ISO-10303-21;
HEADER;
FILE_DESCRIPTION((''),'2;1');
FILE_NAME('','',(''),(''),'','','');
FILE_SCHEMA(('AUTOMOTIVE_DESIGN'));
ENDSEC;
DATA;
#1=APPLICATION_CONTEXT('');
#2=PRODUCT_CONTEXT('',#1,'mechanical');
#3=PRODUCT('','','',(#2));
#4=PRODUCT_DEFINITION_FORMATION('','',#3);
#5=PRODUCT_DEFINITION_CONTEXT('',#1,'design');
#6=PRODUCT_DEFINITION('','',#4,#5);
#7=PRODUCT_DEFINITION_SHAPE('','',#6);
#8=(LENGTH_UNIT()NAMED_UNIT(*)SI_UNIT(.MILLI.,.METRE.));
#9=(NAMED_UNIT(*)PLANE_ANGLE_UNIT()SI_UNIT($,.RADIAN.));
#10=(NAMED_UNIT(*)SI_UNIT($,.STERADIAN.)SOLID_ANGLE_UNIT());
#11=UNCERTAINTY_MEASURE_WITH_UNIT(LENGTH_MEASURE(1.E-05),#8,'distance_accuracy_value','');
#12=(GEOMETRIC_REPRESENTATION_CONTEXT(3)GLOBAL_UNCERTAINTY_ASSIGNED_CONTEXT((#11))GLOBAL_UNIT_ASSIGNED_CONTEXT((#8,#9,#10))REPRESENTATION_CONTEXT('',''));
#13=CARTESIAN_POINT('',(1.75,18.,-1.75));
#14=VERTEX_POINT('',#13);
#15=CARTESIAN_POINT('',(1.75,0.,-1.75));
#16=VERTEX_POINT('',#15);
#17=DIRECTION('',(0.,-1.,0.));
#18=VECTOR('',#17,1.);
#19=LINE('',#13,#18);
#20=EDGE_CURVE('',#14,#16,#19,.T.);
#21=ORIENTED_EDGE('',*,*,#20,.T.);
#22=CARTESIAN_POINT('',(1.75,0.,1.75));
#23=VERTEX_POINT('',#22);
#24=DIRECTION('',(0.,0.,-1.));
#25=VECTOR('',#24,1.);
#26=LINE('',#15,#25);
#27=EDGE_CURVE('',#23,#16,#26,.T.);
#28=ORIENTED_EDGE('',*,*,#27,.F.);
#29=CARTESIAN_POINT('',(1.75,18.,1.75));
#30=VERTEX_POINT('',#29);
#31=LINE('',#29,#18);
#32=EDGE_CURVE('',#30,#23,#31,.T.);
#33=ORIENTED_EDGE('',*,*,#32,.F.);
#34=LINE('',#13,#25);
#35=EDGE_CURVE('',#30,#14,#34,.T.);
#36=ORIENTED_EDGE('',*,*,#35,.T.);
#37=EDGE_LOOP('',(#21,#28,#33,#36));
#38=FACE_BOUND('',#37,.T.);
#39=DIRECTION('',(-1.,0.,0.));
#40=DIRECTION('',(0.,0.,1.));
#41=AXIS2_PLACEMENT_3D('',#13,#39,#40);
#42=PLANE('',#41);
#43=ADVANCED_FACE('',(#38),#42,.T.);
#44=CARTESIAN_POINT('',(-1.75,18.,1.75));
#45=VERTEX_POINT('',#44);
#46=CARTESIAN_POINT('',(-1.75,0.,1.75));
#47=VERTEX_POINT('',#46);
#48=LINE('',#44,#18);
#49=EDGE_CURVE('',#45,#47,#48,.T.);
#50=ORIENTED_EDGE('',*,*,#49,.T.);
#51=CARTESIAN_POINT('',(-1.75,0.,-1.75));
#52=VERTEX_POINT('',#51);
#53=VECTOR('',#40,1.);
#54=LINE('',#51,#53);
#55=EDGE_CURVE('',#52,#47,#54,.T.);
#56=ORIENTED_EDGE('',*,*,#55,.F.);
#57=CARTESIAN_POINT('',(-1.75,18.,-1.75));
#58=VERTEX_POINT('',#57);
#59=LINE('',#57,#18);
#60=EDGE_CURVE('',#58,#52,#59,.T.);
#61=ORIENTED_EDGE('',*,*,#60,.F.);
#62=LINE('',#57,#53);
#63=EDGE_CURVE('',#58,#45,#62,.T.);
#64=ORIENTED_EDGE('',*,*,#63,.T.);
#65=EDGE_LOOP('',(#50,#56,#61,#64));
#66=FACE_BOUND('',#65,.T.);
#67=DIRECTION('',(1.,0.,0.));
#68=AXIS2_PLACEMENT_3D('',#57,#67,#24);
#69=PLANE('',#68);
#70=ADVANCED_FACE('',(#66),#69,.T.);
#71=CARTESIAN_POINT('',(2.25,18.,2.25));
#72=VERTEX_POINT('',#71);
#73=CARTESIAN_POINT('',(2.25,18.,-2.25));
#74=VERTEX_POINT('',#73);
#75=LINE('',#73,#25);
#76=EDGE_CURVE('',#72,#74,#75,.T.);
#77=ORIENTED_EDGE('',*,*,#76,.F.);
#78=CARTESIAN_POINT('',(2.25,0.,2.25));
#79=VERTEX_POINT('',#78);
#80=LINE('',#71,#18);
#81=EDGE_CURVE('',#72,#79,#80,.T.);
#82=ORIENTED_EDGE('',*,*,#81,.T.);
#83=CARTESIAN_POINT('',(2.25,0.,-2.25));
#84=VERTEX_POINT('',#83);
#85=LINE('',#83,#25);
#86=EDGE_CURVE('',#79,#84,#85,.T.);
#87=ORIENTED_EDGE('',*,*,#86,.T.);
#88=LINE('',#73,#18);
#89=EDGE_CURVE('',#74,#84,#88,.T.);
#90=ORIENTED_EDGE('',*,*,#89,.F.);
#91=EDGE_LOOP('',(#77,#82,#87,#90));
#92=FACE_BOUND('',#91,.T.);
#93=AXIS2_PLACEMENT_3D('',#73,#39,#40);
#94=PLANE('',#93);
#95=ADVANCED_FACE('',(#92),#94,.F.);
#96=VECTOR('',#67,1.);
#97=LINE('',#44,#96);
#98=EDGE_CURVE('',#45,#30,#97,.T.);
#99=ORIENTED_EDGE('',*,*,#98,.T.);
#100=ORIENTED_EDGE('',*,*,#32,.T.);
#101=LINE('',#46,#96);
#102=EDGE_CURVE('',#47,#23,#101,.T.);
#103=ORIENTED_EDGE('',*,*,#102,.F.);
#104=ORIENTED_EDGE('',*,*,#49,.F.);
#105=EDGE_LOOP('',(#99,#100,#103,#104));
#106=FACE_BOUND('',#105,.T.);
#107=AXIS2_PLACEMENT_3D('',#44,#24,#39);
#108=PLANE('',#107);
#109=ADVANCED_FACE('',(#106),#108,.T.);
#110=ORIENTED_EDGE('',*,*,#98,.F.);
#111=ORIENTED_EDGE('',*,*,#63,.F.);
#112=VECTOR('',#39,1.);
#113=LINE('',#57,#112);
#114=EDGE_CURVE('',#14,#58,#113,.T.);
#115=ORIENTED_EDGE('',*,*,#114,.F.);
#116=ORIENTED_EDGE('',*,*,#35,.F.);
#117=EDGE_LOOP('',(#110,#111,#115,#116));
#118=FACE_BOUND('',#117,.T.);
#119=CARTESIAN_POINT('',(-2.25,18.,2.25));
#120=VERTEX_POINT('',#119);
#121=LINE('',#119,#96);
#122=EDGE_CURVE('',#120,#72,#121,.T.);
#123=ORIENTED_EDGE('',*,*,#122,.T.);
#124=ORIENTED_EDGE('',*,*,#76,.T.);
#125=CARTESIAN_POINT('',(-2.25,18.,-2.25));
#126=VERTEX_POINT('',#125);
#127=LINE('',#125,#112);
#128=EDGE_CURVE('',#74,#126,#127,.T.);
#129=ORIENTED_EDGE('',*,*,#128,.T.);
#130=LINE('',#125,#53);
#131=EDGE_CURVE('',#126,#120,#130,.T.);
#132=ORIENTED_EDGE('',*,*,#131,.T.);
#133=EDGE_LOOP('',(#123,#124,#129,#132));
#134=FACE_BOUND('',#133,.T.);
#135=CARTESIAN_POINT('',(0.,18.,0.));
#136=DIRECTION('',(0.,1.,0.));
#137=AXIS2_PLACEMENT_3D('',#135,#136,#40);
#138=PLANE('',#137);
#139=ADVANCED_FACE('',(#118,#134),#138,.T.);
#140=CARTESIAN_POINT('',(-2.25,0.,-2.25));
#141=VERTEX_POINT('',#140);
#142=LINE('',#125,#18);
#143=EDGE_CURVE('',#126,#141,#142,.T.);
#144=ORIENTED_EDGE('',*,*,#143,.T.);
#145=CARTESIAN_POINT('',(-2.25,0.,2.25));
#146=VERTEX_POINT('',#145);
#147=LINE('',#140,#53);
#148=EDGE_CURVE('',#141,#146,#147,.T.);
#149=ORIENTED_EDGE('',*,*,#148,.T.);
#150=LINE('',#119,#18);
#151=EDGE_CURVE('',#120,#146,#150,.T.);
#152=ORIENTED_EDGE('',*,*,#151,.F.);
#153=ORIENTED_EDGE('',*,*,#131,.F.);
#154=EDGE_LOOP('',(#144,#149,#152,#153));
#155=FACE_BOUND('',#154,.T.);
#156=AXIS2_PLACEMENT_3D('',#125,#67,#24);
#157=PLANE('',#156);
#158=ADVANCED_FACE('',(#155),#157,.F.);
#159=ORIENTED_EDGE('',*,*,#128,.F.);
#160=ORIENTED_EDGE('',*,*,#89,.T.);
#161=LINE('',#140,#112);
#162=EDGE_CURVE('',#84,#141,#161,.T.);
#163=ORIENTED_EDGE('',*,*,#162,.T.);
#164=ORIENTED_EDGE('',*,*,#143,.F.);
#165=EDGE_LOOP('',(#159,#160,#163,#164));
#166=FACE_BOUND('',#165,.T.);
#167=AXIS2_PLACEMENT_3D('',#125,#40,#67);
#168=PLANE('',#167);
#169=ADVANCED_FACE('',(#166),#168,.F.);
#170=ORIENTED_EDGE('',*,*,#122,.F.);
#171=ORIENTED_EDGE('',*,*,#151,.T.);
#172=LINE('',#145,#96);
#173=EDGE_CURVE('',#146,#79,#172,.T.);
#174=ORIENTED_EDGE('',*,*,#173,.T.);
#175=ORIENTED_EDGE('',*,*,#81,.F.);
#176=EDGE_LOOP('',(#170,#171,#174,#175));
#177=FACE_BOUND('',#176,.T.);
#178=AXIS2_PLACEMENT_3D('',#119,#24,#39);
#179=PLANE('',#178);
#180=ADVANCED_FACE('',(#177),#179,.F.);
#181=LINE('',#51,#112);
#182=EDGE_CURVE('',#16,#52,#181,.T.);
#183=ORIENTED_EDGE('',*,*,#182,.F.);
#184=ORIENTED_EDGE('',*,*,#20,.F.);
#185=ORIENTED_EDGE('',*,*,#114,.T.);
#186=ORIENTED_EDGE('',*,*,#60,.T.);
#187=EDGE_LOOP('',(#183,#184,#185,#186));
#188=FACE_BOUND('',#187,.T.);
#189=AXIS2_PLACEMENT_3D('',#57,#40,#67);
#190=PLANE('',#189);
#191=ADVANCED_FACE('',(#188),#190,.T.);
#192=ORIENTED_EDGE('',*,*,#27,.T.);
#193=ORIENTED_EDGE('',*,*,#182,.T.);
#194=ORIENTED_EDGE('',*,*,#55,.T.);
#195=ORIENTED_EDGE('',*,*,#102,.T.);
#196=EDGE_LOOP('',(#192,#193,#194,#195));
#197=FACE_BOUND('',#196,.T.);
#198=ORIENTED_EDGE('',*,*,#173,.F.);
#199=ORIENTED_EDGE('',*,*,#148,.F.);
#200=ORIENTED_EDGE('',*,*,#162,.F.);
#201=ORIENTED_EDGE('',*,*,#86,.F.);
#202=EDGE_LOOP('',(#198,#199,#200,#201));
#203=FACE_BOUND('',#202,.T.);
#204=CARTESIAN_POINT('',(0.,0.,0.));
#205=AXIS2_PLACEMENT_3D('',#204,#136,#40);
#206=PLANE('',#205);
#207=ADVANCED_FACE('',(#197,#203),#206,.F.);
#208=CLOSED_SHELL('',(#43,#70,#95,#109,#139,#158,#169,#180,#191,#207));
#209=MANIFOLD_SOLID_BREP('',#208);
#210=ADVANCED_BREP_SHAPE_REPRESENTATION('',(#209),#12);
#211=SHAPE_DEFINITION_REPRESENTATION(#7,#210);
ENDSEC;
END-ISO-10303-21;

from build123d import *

# Parameters (mm, degrees)
SKETCH_1_W      = 4.5
SKETCH_1_H      = 4.5
SKETCH_1_W_2    = 3.5
SKETCH_1_H_2    = 3.5
EXTRUDE_1_DEPTH = 18


with BuildPart() as part:
    # 草图1 → 凸台-拉伸1 (new body)
    with BuildSketch(Plane(origin=(0, 0, 0), x_dir=(1, 0, 0), z_dir=(0, 1, 0))):
        Rectangle(SKETCH_1_W, SKETCH_1_H)
        Rectangle(SKETCH_1_W_2, SKETCH_1_H_2, mode=Mode.SUBTRACT)
    extrude(amount=EXTRUDE_1_DEPTH)


solid = part.part
